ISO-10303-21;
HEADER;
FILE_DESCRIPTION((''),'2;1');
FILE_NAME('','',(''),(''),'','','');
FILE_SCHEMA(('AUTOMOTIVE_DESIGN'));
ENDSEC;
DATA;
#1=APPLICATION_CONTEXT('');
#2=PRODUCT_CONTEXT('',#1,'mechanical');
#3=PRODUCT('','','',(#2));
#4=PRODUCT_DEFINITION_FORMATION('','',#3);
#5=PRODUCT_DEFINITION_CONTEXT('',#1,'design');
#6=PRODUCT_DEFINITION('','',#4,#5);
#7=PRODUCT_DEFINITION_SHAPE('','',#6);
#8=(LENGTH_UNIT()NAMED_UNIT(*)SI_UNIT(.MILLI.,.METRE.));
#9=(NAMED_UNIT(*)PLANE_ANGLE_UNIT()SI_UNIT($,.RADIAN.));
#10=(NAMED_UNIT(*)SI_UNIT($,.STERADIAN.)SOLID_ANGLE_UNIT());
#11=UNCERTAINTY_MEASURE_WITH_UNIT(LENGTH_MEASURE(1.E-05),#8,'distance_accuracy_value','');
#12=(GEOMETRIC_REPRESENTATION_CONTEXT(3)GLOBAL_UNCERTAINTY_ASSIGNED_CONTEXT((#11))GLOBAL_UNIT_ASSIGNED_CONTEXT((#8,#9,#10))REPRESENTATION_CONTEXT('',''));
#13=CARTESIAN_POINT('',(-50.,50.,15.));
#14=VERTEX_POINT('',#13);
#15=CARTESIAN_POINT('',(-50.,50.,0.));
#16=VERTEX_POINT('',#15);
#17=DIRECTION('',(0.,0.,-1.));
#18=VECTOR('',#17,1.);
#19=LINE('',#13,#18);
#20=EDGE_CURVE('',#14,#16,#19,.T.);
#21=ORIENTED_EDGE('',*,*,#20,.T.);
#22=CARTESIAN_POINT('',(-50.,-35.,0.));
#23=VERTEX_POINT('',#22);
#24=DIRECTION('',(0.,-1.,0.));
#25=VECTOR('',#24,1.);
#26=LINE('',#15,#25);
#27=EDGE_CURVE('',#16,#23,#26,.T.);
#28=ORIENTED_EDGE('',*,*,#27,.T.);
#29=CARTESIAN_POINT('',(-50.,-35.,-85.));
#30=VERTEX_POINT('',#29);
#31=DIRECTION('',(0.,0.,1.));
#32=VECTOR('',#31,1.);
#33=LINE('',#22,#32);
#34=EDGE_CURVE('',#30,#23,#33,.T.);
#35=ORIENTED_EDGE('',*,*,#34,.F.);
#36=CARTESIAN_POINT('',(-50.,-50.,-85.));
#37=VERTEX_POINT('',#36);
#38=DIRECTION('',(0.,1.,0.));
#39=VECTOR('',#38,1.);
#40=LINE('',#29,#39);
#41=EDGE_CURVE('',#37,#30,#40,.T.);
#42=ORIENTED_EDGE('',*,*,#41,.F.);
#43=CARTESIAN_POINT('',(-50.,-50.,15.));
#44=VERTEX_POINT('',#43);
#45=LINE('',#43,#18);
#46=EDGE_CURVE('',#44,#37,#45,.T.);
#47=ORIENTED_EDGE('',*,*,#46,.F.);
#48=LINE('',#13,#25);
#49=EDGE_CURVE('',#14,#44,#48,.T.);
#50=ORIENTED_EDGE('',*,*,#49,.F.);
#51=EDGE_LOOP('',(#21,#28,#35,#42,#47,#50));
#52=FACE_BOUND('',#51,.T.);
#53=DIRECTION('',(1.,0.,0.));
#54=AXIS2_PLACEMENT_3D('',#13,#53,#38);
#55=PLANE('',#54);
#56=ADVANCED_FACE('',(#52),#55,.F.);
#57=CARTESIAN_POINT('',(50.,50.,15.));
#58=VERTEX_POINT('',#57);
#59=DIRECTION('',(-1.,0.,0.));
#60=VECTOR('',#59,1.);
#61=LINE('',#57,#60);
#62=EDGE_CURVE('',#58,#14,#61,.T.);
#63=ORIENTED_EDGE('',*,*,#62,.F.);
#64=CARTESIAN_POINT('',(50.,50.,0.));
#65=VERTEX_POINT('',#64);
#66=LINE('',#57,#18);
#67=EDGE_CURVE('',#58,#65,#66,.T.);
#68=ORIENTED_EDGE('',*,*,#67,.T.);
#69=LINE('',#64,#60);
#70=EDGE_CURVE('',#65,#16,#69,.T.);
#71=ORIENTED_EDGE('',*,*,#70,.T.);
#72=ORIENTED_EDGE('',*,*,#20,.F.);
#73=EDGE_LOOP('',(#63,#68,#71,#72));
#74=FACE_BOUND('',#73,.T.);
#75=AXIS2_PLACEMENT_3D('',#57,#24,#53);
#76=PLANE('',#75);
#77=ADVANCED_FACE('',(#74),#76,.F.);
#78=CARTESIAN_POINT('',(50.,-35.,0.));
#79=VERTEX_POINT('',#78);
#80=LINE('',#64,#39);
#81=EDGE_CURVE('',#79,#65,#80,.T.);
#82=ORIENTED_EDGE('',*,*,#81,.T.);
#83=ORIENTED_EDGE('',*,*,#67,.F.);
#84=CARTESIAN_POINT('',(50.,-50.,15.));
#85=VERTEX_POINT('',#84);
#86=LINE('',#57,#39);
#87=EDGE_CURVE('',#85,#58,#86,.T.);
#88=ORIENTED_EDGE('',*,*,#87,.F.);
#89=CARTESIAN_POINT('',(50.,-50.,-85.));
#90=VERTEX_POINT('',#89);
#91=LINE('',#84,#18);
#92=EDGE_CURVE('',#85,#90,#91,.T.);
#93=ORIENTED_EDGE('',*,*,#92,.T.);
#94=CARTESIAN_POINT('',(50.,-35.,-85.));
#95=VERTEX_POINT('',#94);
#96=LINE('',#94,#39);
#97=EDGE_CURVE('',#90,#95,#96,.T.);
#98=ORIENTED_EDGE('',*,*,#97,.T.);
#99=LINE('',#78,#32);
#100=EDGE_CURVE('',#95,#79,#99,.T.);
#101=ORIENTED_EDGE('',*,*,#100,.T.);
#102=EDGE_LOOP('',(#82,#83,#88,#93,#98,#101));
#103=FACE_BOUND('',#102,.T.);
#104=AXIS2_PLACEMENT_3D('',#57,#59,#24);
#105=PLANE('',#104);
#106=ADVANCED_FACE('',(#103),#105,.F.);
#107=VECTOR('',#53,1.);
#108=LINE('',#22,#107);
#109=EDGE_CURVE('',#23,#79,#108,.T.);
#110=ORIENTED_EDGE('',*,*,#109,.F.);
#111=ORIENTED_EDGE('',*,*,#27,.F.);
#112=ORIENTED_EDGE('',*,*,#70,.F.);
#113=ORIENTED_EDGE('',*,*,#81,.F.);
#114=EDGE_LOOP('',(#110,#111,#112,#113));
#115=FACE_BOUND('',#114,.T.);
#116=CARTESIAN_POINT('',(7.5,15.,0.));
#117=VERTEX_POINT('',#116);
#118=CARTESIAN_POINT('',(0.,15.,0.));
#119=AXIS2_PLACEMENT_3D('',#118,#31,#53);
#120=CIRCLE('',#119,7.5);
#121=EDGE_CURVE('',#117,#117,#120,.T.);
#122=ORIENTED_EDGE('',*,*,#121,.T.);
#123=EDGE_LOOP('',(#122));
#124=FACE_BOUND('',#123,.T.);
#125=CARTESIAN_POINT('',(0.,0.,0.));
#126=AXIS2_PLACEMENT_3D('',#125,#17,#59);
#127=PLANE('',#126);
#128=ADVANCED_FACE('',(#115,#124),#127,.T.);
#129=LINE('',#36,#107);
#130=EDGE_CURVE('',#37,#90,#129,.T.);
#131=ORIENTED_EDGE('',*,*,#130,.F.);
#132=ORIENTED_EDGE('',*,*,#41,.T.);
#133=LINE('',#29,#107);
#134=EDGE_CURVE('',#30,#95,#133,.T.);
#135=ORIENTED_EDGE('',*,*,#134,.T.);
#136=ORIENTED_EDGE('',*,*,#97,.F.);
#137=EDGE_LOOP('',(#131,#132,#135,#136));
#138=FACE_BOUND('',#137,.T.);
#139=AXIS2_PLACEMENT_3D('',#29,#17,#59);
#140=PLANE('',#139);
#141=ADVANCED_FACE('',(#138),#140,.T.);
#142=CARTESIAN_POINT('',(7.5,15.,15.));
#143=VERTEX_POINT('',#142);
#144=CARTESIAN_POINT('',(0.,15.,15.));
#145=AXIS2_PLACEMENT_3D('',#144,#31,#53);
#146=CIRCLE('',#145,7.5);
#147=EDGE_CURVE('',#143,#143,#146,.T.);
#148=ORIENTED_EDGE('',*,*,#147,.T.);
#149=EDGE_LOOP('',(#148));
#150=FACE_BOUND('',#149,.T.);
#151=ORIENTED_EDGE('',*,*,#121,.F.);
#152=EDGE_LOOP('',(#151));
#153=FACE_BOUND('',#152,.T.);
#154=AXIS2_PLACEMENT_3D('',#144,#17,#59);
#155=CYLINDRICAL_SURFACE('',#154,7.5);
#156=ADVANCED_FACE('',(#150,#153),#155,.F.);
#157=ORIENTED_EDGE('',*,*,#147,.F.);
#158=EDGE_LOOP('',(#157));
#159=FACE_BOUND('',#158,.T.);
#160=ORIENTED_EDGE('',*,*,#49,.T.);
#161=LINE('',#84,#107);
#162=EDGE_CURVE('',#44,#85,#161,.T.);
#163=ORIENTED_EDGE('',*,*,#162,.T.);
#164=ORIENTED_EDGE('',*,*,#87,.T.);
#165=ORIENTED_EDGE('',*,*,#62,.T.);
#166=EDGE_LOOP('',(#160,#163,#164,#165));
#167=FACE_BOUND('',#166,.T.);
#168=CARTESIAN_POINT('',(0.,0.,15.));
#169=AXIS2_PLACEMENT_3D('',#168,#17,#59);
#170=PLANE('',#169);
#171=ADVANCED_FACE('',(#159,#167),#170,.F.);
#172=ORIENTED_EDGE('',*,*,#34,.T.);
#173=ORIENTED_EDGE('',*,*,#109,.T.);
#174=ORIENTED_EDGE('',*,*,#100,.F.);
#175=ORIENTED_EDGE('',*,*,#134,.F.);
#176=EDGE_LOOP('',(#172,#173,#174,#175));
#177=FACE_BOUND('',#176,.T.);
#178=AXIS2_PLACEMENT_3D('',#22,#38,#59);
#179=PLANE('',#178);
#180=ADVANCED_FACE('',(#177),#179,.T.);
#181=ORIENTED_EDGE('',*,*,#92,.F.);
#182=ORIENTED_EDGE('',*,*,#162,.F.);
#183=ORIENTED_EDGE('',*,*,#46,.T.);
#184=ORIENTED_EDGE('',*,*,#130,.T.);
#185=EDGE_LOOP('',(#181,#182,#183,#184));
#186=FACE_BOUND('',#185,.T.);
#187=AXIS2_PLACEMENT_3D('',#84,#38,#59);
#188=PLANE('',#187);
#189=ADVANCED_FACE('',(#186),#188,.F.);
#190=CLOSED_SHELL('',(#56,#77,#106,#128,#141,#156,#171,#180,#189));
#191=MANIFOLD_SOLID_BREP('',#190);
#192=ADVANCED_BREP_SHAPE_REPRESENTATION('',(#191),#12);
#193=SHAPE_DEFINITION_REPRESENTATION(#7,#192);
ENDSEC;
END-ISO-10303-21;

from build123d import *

# Parameters (mm, degrees)
SKETCH1_W           = 100
SKETCH1_H           = 100
SKETCH1_R           = 7.5
BOSS_EXTRUDE1_DEPTH = 15
SKETCH2_W           = 85
SKETCH2_H           = 15
BOSS_EXTRUDE2_DEPTH = 100


with BuildPart() as part:
    # Sketch1 → Boss-Extrude1 (new body)
    with BuildSketch(Plane.XY):
        Rectangle(SKETCH1_W, SKETCH1_H)
        with Locations((0, 15)):
            Circle(SKETCH1_R, mode=Mode.SUBTRACT)
    extrude(amount=BOSS_EXTRUDE1_DEPTH)

    # Sketch2 → Boss-Extrude2 (add)
    with BuildSketch(Plane(origin=(50, 0, 0), x_dir=(0, 0, -1), z_dir=(1, 0, 0))):
        with Locations((42.5, -42.5)):
            Rectangle(SKETCH2_W, SKETCH2_H)
    extrude(amount=-BOSS_EXTRUDE2_DEPTH)


solid = part.part
